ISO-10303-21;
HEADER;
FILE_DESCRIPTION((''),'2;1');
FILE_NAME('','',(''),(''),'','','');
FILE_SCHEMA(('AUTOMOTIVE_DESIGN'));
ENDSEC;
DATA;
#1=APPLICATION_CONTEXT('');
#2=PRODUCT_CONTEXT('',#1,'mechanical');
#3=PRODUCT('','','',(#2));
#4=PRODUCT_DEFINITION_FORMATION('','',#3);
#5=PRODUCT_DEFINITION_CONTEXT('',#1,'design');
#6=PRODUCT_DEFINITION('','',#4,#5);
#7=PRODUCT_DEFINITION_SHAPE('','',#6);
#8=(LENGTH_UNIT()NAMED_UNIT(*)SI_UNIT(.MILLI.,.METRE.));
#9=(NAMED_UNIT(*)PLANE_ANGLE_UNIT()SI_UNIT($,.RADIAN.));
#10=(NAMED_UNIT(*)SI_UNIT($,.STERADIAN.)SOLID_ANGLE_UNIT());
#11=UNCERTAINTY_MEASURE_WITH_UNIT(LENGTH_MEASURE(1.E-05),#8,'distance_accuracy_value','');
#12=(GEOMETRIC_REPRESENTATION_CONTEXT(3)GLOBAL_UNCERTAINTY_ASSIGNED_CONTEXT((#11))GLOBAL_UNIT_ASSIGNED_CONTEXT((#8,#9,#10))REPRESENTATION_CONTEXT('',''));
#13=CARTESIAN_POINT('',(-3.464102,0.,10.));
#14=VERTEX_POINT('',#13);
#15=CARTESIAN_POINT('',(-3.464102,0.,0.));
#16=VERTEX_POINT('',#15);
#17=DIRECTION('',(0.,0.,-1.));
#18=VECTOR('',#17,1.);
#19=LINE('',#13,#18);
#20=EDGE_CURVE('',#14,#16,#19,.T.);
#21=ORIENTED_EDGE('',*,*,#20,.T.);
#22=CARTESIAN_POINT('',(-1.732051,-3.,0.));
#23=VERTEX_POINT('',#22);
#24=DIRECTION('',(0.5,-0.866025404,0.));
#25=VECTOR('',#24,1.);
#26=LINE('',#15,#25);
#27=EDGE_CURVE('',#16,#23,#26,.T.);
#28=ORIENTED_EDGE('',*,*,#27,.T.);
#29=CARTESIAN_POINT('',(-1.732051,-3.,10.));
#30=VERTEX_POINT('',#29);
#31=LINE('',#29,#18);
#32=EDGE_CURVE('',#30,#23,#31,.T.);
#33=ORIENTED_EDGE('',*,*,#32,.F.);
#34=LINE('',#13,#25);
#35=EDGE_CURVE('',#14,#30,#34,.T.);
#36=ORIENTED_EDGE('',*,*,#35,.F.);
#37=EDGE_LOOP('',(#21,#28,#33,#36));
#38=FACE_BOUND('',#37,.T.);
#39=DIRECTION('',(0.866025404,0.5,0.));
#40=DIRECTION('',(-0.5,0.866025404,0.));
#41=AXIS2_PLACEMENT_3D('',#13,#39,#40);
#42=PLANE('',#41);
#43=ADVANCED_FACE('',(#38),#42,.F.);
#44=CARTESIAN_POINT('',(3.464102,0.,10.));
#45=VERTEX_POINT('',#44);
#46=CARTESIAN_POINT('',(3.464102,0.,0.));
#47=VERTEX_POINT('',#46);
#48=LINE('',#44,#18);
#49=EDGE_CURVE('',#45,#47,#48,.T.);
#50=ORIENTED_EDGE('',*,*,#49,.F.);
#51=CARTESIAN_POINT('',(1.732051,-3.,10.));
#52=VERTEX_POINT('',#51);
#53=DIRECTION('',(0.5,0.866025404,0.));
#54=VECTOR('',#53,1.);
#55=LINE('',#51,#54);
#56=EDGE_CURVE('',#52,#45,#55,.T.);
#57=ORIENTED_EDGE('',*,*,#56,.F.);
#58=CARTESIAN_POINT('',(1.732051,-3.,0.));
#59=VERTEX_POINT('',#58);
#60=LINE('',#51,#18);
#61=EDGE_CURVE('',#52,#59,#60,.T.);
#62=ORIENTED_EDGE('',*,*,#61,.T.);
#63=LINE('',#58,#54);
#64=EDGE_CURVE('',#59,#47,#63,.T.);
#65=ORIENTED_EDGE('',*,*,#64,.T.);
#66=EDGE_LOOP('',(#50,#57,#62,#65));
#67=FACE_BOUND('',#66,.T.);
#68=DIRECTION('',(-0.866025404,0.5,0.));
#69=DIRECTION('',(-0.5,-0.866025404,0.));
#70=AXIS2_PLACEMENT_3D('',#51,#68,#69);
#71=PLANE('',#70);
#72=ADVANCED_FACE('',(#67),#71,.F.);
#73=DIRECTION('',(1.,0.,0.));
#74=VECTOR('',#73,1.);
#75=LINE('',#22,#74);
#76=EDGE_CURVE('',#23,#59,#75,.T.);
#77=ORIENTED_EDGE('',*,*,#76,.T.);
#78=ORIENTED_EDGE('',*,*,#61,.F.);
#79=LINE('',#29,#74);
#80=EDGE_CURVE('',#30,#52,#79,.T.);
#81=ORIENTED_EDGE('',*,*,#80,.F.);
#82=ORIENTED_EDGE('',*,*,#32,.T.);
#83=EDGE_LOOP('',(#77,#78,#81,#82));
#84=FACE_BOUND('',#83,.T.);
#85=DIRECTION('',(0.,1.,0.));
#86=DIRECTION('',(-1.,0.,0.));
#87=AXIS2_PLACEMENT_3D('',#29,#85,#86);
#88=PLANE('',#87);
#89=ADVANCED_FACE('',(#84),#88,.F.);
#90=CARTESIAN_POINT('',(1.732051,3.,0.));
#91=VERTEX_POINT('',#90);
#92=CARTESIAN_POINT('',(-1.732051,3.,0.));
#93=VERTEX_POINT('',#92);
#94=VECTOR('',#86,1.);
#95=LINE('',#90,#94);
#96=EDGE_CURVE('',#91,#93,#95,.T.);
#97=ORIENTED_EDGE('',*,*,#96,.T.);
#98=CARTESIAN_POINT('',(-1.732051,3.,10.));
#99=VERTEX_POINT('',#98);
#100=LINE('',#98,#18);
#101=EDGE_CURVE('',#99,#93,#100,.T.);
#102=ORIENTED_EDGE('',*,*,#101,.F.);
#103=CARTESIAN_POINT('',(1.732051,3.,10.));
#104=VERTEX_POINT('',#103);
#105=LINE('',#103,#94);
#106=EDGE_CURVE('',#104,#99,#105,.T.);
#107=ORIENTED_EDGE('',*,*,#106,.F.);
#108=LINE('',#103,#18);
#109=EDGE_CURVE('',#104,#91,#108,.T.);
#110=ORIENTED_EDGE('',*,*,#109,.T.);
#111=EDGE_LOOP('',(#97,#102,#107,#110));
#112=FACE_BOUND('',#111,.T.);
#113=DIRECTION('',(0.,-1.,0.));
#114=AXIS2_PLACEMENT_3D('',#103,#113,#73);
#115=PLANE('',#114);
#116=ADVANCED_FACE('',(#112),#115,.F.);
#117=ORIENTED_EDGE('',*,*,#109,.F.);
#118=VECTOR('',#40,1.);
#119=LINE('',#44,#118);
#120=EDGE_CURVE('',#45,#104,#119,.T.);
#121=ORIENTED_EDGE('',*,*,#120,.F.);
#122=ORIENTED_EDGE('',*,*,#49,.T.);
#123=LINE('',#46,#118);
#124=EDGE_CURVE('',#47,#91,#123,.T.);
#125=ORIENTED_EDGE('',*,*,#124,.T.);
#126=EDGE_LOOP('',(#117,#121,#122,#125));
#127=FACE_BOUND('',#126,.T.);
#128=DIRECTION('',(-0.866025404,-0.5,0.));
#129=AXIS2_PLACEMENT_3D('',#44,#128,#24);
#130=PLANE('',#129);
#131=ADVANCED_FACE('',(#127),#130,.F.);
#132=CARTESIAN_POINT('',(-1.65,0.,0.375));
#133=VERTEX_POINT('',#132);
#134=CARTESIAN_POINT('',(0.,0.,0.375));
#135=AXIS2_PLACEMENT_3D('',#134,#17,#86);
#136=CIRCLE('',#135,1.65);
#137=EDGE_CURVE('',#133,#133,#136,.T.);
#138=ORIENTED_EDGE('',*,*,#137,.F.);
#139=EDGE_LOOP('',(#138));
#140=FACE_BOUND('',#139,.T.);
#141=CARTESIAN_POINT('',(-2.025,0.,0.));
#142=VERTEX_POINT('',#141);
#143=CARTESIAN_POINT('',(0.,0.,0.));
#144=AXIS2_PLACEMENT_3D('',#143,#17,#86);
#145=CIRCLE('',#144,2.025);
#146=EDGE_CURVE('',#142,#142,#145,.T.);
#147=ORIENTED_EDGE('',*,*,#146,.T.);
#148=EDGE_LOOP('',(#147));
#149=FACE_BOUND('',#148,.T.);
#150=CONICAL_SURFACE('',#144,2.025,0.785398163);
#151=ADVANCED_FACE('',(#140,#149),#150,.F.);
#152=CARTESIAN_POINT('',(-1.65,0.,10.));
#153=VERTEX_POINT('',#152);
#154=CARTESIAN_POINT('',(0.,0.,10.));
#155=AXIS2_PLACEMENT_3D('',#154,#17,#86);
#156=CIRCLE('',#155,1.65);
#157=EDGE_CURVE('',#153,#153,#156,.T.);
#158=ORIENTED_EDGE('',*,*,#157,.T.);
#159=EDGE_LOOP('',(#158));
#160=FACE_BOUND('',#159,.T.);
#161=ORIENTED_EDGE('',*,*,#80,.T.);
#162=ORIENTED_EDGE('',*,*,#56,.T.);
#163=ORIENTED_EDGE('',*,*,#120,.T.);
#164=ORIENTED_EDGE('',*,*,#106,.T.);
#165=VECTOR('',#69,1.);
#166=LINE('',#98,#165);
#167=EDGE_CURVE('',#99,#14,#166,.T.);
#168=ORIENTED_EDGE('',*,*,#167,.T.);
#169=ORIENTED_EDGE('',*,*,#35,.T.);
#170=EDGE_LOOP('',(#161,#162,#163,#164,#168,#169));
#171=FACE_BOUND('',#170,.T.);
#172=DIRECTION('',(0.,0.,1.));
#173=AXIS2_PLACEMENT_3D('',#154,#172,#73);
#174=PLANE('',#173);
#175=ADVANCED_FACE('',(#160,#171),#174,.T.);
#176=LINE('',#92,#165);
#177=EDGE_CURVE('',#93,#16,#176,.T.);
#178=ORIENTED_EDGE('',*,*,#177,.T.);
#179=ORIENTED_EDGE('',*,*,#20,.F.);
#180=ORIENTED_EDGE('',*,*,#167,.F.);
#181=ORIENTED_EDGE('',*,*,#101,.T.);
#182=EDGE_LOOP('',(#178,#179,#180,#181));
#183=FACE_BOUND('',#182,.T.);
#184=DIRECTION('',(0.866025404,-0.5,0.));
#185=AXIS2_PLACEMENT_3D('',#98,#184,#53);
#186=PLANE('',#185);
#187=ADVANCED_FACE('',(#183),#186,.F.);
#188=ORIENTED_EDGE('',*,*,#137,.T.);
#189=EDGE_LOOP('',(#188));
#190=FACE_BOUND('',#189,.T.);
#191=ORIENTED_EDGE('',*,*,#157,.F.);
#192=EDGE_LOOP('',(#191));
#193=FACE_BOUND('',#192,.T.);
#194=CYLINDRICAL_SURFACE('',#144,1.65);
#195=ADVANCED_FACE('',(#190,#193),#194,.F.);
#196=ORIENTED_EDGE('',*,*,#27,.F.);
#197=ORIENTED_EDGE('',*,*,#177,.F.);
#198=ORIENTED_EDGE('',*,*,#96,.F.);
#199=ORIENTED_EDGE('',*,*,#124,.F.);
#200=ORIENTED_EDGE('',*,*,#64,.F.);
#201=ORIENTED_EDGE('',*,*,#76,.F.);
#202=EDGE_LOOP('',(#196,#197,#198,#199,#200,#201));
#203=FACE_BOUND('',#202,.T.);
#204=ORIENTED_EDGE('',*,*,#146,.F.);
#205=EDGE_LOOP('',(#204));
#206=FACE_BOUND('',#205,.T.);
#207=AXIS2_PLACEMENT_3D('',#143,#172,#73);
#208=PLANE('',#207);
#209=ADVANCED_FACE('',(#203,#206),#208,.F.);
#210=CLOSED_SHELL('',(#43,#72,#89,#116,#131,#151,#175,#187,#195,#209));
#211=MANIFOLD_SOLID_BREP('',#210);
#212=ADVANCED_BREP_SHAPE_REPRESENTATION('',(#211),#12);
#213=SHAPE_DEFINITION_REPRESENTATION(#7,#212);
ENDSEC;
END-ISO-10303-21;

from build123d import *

# Parameters (mm, degrees)
EXTRUDE_1_DEPTH              = 10
HOLE_WIZARD_M4_1_D           = 3.3
HOLE_WIZARD_M4_1_CSINK_D     = 4.05
HOLE_WIZARD_M4_1_CSINK_ANGLE = 90


with BuildPart() as part:
    # 草图1 → 凸台-拉伸1 (new body)
    with BuildSketch(Plane.XY):
        Polygon((3.464101615, 0), (1.732050808, 3), (-1.732050808, 3), (-3.464101615, 0), (-1.732050808, -3), (1.732050808, -3), align=None)
    extrude(amount=EXTRUDE_1_DEPTH)

    # M4 螺纹孔1 (through all)
    with Locations(Plane(origin=(0, 0, 0), x_dir=(-1, 0, 0), z_dir=(0, 0, -1))):
        with Locations((0, 0)):
            CounterSinkHole(HOLE_WIZARD_M4_1_D / 2, HOLE_WIZARD_M4_1_CSINK_D / 2, counter_sink_angle=HOLE_WIZARD_M4_1_CSINK_ANGLE)


solid = part.part
